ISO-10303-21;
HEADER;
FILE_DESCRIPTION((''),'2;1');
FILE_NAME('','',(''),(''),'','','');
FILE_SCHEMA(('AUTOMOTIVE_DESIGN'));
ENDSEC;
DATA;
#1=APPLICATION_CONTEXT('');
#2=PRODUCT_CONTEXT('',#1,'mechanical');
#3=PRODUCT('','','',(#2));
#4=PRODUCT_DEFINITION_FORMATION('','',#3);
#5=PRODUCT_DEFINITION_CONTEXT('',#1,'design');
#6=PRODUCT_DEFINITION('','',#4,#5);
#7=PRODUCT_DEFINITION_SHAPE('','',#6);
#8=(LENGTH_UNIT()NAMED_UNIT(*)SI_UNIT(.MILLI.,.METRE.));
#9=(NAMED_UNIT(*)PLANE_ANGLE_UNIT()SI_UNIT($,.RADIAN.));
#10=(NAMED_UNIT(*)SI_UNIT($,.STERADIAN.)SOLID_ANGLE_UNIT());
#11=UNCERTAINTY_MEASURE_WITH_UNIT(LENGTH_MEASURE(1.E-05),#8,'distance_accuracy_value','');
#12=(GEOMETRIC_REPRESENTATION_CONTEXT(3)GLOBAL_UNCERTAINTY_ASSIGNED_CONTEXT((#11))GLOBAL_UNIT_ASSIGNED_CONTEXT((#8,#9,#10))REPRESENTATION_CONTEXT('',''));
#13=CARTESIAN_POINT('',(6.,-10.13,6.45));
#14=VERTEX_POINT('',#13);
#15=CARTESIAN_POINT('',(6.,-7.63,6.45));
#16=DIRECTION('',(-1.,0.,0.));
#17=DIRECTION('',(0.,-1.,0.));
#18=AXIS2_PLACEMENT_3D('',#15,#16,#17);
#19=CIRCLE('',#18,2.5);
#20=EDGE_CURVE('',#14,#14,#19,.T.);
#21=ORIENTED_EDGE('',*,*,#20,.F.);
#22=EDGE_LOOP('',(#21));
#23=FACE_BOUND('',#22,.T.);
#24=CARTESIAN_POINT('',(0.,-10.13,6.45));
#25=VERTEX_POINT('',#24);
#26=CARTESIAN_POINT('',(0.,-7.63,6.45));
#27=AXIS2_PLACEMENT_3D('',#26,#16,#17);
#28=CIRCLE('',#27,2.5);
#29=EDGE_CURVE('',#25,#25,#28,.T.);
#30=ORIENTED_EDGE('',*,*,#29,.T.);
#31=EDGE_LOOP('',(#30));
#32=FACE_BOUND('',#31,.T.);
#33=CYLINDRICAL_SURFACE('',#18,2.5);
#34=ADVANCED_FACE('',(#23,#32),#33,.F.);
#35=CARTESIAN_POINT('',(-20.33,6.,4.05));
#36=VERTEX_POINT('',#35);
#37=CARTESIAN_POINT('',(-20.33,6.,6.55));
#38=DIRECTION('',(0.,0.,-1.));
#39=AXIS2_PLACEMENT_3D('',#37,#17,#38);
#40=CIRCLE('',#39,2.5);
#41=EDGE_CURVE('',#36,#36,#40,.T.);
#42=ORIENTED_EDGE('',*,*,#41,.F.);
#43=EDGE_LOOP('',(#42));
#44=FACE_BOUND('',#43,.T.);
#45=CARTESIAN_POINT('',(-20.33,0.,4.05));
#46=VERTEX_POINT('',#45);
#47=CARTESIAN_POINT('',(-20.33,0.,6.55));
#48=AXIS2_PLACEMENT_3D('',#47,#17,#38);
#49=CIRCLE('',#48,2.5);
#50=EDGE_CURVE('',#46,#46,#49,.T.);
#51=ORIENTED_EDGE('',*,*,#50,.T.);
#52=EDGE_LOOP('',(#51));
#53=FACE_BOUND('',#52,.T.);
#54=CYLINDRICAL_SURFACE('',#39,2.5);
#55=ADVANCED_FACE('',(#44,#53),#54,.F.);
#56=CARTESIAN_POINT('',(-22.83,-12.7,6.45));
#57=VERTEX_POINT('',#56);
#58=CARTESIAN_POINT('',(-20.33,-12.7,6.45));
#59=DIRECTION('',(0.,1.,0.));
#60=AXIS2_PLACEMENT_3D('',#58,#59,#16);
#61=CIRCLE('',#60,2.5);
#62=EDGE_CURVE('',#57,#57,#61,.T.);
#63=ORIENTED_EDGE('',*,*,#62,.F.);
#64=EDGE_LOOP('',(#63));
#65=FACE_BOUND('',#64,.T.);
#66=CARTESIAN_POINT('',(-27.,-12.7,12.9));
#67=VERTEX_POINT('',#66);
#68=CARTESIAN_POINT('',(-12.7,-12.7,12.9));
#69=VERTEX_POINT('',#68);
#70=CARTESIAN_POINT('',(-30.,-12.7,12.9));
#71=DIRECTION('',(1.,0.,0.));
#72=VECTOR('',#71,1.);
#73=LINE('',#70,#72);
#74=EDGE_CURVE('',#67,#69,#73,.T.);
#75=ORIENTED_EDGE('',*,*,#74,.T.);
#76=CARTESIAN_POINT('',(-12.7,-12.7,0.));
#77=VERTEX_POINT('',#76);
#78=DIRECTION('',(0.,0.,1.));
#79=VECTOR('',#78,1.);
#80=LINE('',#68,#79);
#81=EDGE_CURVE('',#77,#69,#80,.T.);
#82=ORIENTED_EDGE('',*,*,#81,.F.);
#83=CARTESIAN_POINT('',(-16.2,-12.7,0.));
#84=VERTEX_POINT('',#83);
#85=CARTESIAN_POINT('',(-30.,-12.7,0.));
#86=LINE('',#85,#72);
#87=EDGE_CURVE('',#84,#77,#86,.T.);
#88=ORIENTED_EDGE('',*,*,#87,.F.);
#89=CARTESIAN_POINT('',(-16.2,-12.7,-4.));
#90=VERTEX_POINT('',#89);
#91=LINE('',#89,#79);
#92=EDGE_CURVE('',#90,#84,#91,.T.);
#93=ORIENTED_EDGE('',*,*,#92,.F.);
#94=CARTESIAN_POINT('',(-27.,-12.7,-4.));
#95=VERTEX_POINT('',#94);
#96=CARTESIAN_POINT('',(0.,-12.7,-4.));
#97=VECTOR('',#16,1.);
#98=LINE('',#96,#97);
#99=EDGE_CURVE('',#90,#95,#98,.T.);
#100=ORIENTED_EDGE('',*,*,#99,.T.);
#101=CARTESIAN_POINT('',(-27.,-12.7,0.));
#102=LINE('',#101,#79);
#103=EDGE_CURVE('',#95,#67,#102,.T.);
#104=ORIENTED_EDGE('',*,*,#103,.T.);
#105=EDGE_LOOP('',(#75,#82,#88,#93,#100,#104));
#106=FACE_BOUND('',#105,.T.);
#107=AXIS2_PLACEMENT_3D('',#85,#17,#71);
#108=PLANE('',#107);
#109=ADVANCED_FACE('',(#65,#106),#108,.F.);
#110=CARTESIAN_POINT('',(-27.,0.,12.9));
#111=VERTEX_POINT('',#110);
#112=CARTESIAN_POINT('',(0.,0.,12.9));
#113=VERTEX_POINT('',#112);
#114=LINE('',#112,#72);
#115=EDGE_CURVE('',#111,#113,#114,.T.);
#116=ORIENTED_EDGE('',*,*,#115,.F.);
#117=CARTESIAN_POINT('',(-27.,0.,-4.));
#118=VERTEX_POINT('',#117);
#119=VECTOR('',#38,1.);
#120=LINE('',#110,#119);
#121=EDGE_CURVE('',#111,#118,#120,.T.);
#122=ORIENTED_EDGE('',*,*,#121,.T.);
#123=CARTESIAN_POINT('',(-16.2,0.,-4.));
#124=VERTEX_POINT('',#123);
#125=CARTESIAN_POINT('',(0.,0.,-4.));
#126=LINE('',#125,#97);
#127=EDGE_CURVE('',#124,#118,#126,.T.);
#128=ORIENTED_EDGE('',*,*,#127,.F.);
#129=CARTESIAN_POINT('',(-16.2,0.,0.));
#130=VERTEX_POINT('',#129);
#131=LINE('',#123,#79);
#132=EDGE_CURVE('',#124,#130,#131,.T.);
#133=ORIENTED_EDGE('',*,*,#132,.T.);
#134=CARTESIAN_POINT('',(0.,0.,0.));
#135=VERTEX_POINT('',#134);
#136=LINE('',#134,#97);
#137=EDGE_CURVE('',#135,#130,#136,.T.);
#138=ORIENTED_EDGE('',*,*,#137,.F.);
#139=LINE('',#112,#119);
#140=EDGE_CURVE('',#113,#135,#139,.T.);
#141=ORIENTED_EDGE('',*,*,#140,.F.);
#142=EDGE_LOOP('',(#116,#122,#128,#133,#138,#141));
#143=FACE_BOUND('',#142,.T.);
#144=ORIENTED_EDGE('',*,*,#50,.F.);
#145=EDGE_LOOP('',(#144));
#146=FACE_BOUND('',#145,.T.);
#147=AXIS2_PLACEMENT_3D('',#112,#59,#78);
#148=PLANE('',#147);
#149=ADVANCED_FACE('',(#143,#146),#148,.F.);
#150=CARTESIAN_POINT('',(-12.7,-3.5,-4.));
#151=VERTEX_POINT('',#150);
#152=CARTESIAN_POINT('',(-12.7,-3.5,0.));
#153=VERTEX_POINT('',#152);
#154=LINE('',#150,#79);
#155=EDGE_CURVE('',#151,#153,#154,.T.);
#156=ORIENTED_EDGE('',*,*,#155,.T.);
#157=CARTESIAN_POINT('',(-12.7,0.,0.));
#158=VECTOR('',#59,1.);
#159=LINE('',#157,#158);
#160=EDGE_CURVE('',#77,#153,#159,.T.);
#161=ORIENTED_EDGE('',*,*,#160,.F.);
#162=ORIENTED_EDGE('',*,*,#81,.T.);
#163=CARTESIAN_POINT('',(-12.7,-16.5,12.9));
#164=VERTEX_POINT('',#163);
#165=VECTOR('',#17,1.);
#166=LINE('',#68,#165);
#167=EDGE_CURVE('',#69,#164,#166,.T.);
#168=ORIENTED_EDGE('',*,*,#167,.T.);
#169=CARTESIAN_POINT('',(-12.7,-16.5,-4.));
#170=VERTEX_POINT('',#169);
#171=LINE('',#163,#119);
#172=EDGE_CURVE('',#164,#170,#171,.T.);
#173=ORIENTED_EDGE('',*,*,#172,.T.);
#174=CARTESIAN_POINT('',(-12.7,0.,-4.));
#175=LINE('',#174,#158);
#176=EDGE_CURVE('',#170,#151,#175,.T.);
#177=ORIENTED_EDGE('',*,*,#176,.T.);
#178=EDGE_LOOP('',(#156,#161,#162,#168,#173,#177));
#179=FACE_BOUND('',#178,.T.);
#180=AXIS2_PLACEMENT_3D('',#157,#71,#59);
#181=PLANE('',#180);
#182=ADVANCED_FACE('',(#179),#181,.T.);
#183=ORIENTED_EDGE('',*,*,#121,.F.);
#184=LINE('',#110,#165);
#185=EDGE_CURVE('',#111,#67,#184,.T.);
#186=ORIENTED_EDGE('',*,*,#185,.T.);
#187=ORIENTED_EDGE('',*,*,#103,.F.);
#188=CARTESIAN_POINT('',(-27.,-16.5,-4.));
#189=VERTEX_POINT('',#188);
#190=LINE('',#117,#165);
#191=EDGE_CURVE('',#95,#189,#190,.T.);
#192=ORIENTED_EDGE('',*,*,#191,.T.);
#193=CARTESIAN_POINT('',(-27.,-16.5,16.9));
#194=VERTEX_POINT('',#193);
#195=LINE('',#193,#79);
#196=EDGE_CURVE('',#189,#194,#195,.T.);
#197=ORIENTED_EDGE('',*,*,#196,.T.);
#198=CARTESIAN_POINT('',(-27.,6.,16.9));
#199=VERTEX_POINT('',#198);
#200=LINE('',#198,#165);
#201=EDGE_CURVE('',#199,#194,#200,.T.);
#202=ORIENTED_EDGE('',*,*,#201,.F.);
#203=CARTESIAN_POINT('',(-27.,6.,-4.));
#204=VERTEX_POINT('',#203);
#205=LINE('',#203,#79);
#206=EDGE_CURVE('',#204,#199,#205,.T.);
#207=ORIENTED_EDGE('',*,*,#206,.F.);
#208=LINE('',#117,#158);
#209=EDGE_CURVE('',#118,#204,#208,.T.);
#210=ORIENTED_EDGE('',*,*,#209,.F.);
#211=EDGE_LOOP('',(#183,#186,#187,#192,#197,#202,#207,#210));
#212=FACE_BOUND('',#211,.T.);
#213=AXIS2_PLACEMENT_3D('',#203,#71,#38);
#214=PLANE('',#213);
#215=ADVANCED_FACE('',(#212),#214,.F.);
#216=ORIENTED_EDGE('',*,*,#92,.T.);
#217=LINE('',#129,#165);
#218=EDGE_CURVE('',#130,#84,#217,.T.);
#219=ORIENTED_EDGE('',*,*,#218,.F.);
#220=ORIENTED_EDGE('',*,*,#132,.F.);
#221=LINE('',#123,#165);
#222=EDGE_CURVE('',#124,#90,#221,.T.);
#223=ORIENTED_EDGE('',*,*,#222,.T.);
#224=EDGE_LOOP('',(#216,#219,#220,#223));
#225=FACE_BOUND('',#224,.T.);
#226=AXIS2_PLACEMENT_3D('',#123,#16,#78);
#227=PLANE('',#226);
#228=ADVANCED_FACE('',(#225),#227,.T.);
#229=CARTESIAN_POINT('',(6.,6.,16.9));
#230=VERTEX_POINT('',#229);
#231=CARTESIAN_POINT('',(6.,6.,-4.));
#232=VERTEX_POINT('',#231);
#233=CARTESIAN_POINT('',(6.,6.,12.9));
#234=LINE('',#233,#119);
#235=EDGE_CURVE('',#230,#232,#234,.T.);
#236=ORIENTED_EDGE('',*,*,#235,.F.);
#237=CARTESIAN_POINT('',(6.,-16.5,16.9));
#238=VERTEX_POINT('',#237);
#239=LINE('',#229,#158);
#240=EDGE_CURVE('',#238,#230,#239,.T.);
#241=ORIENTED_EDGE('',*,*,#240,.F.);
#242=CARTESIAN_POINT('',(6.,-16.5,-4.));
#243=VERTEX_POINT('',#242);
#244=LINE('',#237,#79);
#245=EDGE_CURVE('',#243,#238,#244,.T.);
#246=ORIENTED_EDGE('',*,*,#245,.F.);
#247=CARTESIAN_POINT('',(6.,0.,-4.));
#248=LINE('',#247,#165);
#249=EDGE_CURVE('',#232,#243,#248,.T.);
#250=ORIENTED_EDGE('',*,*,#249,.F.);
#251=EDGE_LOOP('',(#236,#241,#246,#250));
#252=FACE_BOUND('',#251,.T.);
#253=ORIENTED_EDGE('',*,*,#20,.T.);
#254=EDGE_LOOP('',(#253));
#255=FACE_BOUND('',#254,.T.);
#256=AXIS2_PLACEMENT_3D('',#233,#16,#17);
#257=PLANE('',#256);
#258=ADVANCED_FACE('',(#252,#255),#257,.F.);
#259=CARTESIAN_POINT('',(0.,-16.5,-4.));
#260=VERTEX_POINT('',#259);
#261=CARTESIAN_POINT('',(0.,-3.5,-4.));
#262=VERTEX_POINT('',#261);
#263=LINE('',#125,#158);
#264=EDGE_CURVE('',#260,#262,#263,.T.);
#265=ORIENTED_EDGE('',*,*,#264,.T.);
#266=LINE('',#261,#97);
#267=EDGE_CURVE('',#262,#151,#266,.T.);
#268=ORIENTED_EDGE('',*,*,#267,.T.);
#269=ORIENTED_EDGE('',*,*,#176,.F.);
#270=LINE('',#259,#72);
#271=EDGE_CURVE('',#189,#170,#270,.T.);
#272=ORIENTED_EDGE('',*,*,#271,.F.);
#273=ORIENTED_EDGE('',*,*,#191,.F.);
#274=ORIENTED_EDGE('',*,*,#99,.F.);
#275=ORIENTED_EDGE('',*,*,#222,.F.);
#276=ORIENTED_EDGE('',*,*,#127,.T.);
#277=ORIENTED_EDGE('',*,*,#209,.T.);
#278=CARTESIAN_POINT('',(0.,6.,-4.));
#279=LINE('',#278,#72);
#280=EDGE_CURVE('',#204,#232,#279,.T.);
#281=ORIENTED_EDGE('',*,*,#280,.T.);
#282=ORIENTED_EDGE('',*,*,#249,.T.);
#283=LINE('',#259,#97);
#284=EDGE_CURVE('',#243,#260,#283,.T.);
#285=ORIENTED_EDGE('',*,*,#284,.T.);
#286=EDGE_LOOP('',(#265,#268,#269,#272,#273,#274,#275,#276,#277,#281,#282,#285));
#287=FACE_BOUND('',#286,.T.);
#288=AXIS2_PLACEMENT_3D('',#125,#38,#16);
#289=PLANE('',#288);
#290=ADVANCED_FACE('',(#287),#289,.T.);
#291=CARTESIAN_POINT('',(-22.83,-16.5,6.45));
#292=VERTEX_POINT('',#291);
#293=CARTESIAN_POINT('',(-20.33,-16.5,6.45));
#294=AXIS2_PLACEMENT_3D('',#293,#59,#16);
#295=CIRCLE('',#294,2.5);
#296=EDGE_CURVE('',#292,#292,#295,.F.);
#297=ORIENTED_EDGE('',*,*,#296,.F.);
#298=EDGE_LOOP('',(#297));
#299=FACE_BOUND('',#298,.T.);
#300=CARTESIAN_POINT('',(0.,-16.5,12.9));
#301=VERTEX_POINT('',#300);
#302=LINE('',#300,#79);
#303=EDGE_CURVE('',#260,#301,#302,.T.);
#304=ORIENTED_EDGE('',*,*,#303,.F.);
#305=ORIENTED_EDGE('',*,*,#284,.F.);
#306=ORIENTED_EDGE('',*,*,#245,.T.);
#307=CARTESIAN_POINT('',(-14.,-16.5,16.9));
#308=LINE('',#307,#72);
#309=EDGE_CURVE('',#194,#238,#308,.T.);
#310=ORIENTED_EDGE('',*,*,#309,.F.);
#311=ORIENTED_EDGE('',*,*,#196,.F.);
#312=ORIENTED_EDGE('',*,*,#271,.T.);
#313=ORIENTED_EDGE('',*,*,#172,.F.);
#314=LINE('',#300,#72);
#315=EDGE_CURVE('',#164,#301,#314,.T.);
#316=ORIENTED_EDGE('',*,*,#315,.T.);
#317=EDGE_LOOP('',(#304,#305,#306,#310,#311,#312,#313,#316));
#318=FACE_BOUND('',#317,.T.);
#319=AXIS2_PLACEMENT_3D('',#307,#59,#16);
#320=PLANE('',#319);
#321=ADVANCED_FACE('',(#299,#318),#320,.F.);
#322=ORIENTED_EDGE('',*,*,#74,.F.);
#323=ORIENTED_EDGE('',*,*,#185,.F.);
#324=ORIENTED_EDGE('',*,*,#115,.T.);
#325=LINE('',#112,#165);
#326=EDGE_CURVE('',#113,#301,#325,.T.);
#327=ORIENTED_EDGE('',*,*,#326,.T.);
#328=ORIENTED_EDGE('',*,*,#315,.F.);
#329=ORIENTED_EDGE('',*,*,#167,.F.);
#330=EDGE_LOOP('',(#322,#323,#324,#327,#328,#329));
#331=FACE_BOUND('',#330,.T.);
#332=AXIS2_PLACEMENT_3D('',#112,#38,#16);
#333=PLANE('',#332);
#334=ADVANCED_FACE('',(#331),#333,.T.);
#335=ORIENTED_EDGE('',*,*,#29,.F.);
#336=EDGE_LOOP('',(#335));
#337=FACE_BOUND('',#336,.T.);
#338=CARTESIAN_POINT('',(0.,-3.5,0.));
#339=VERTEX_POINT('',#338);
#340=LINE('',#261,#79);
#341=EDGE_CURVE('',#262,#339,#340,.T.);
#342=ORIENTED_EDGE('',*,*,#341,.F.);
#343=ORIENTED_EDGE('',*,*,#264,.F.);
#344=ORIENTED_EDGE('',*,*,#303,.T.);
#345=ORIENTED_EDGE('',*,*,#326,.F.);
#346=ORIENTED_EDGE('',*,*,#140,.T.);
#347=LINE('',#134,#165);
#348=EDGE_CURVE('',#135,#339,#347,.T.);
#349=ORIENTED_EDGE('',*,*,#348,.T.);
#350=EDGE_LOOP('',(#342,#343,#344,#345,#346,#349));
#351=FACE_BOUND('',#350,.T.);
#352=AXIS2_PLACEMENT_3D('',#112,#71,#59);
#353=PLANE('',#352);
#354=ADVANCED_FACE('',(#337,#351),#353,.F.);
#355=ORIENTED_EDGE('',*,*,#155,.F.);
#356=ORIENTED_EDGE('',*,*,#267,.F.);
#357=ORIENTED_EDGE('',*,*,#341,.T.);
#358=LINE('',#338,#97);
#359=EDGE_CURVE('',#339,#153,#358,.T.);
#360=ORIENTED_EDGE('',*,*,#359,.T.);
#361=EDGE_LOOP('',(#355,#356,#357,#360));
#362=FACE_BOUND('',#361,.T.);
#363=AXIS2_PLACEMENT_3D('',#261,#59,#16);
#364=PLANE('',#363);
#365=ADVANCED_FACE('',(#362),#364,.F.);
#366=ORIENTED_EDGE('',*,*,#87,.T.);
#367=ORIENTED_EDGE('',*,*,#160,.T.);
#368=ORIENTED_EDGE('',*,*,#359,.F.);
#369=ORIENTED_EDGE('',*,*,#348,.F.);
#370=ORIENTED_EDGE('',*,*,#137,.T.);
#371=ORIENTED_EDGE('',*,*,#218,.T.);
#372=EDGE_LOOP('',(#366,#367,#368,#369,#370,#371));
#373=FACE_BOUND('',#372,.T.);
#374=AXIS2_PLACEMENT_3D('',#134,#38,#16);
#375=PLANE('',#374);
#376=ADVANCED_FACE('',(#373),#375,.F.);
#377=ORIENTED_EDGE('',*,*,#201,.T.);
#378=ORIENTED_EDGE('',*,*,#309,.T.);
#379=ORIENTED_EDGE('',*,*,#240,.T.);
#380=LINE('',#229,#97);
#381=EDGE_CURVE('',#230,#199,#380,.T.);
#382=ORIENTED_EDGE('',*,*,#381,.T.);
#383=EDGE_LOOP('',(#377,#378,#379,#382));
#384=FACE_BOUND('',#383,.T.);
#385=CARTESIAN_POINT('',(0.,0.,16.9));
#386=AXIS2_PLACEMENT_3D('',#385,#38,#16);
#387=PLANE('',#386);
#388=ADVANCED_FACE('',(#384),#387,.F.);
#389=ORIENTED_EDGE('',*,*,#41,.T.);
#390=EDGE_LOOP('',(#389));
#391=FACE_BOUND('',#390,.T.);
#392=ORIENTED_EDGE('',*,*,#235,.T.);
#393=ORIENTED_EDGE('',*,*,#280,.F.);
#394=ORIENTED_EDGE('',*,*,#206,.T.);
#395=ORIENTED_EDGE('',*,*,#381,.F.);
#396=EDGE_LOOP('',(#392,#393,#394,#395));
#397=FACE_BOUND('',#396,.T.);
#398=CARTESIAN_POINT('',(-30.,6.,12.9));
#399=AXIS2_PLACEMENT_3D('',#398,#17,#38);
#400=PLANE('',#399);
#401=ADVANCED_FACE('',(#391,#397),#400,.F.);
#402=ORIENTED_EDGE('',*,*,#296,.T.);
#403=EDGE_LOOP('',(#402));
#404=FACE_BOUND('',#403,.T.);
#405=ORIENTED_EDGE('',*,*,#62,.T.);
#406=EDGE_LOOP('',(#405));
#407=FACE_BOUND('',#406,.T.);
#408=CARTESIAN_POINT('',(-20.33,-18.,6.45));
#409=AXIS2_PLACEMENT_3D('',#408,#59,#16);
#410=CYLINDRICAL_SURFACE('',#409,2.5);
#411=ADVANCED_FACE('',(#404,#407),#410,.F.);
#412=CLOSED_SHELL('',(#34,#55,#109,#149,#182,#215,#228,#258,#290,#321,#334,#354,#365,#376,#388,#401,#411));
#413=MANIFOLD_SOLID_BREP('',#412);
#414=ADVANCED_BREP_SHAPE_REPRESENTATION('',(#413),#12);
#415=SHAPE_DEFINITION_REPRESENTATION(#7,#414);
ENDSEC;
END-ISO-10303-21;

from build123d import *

# Parameters (mm, degrees)
BOSS_EXTRUDE1_DEPTH = 12.9
SKETCH2_R           = 2.5
CUT_EXTRUDE1_DEPTH  = 38.288201887
SKETCH3_R           = 2.5
CUT_EXTRUDE2_DEPTH  = 38.288201887
SKETCH5_W           = 36
SKETCH5_H           = 24
BOSS_EXTRUDE3_DEPTH = 4
SKETCH6_W           = 17.3
SKETCH6_H           = 5.3
BOSS_EXTRUDE4_DEPTH = 12.9
SKETCH7_R           = 2.5
CUT_EXTRUDE3_DEPTH  = 40.182904435
EXTRUDE_3_DEPTH     = 4
SKETCH_5_W          = 3
SKETCH_5_H          = 20.9
CUT_EXTRUDE_1_DEPTH = 42.971537975
CUT_EXTRUDE_2_DEPTH = 4
SKETCH_7_W          = 16.9
SKETCH_7_H          = 1.5
CUT_EXTRUDE_3_DEPTH = 20
CUT_EXTRUDE5_REACH  = 40.998
SKETCH8_W           = 1.3
SKETCH8_H           = 12.9
SKETCH_9_W          = 4
SKETCH_9_H          = 24
CUT_EXTRUDE_4_DEPTH = 42.214196583
SKETCH_11_W         = 16.9
SKETCH_11_H         = 1.5
CUT_EXTRUDE_6_DEPTH = 32.774360733
SKETCH_13_W         = 12.9
SKETCH_13_H         = 3.8
EXTRUDE_5_DEPTH     = 1.3
EXTRUDE_6_DEPTH     = 4


with BuildPart() as part:
    # Sketch1 → Boss-Extrude1 (new body)
    with BuildSketch(Plane.XY):
        Polygon((-30, 0), (-30, 6), (6, 6), (6, -18), (0, -18), (0, 0), align=None)
    extrude(amount=BOSS_EXTRUDE1_DEPTH)

    # Sketch2 → Cut-Extrude1 (cut, through all)
    with BuildSketch(Plane.XZ):
        with Locations(Location((-20.33, 6.55, 0), (0, 0, 270))):
            Circle(SKETCH2_R)
    extrude(amount=-CUT_EXTRUDE1_DEPTH, mode=Mode.SUBTRACT)

    # Sketch3 → Cut-Extrude2 (cut, through all)
    with BuildSketch(Plane.ZY):
        with Locations(Location((6.45, -7.63, 0), (0, 0, 270))):
            Circle(SKETCH3_R)
    extrude(amount=-CUT_EXTRUDE2_DEPTH, mode=Mode.SUBTRACT)

    # Sketch5 → Boss-Extrude3 (add)
    with BuildSketch(Plane.XY.offset(12.9)):
        with Locations((-12, -6)):
            Rectangle(SKETCH5_W, SKETCH5_H)
    extrude(amount=BOSS_EXTRUDE3_DEPTH)

    # Sketch6 → Boss-Extrude4 (add)
    with BuildSketch(Plane(origin=(0, 0, 12.9), x_dir=(-1, 0, 0), z_dir=(0, 0, -1))):
        with Locations((21.35, -15.35)):
            Rectangle(SKETCH6_W, SKETCH6_H)
    extrude(amount=BOSS_EXTRUDE4_DEPTH)

    # Sketch7 → Cut-Extrude3 (cut, through all)
    with BuildSketch(Plane(origin=(0, -12.7, 0), x_dir=(1, 0, 0), z_dir=(0, 1, 0))):
        with Locations(Location((-20.33, -6.45, 0), (0, 0, 180))):
            Circle(SKETCH7_R)
    extrude(amount=-CUT_EXTRUDE3_DEPTH, mode=Mode.SUBTRACT)

    # 草图4 → 凸台-拉伸3 (add)
    with BuildSketch(Plane(origin=(0, 0, 0), x_dir=(-1, 0, 0), z_dir=(0, 0, -1))):
        Polygon((30, 6), (9, 6), (9, -4), (11, -4), (11, -18), (30, -18), align=None)
    extrude(amount=EXTRUDE_3_DEPTH)

    # 草图5 → 切除-拉伸1 (cut, through all)
    with BuildSketch(Plane.XZ.offset(18)):
        with Locations((-28.5, 6.45)):
            Rectangle(SKETCH_5_W, SKETCH_5_H)
    extrude(amount=-CUT_EXTRUDE_1_DEPTH, mode=Mode.SUBTRACT)

    # 草图6 → 切除-拉伸2 (cut)
    with BuildSketch(Plane(origin=(0, 0, -4), x_dir=(-1, 0, 0), z_dir=(0, 0, -1))):
        Polygon((11, -18), (11, -14), (13.1, -18), align=None)
    extrude(amount=-CUT_EXTRUDE_2_DEPTH, mode=Mode.SUBTRACT)

    # 草图7 → 切除-拉伸3 (cut)
    with BuildSketch(Plane(origin=(6, 0, 0), x_dir=(0, 0, -1), z_dir=(1, 0, 0))):
        with Locations((-8.45, -17.25)):
            Rectangle(SKETCH_7_W, SKETCH_7_H)
    extrude(amount=-CUT_EXTRUDE_3_DEPTH, mode=Mode.SUBTRACT)

    # Sketch8 → Cut-Extrude5 (cut, up to next)
    with BuildSketch(Plane.XZ.offset(16.5), mode=Mode.PRIVATE) as cut_extrude5_sk1:
        with Locations((-13.35, 6.45)):
            Rectangle(SKETCH8_W, SKETCH8_H)
    cut_extrude5_tool1 = extrude(cut_extrude5_sk1.sketch, amount=-CUT_EXTRUDE5_REACH, mode=Mode.PRIVATE) & part.part
    add(cut_extrude5_tool1.solids().sort_by_distance((-13.35, -16.5, 6.45))[0], mode=Mode.SUBTRACT)

    # 草图9 → 切除-拉伸4 (cut, through all)
    with BuildSketch(Plane(origin=(6, 0, 0), x_dir=(0, 0, -1), z_dir=(1, 0, 0))):
        with Locations((2, -6)):
            Rectangle(SKETCH_9_W, SKETCH_9_H)
    extrude(amount=-CUT_EXTRUDE_4_DEPTH, mode=Mode.SUBTRACT)

    # 草图11 → 切除-拉伸6 (cut, through all)
    with BuildSketch(Plane(origin=(-14, 0, 0), x_dir=(0, 0, -1), z_dir=(1, 0, 0))):
        with Locations((-8.45, -17.25)):
            Rectangle(SKETCH_11_W, SKETCH_11_H)
    extrude(amount=-CUT_EXTRUDE_6_DEPTH, mode=Mode.SUBTRACT)

    # 草图13 → 凸台-拉伸5 (add)
    with BuildSketch(Plane(origin=(-14, 0, 0), x_dir=(0, 0, -1), z_dir=(1, 0, 0))):
        with Locations((-6.45, -14.6)):
            Rectangle(SKETCH_13_W, SKETCH_13_H)
    extrude(amount=EXTRUDE_5_DEPTH)

    # 草图17 → 凸台-拉伸6 (add)
    with BuildSketch(Plane(origin=(0, 0, 0), x_dir=(-1, 0, 0), z_dir=(0, 0, -1))):
        Polygon((27, 6), (-6, 6), (-6, -16.5), (0, -16.5), (0, -3.5), (12.7, -3.5), (12.7, -16.5), (27, -16.5), (27, -12.7), (16.2, -12.7), (16.2, 0), (27, 0), align=None)
    extrude(amount=EXTRUDE_6_DEPTH)


solid = part.part
